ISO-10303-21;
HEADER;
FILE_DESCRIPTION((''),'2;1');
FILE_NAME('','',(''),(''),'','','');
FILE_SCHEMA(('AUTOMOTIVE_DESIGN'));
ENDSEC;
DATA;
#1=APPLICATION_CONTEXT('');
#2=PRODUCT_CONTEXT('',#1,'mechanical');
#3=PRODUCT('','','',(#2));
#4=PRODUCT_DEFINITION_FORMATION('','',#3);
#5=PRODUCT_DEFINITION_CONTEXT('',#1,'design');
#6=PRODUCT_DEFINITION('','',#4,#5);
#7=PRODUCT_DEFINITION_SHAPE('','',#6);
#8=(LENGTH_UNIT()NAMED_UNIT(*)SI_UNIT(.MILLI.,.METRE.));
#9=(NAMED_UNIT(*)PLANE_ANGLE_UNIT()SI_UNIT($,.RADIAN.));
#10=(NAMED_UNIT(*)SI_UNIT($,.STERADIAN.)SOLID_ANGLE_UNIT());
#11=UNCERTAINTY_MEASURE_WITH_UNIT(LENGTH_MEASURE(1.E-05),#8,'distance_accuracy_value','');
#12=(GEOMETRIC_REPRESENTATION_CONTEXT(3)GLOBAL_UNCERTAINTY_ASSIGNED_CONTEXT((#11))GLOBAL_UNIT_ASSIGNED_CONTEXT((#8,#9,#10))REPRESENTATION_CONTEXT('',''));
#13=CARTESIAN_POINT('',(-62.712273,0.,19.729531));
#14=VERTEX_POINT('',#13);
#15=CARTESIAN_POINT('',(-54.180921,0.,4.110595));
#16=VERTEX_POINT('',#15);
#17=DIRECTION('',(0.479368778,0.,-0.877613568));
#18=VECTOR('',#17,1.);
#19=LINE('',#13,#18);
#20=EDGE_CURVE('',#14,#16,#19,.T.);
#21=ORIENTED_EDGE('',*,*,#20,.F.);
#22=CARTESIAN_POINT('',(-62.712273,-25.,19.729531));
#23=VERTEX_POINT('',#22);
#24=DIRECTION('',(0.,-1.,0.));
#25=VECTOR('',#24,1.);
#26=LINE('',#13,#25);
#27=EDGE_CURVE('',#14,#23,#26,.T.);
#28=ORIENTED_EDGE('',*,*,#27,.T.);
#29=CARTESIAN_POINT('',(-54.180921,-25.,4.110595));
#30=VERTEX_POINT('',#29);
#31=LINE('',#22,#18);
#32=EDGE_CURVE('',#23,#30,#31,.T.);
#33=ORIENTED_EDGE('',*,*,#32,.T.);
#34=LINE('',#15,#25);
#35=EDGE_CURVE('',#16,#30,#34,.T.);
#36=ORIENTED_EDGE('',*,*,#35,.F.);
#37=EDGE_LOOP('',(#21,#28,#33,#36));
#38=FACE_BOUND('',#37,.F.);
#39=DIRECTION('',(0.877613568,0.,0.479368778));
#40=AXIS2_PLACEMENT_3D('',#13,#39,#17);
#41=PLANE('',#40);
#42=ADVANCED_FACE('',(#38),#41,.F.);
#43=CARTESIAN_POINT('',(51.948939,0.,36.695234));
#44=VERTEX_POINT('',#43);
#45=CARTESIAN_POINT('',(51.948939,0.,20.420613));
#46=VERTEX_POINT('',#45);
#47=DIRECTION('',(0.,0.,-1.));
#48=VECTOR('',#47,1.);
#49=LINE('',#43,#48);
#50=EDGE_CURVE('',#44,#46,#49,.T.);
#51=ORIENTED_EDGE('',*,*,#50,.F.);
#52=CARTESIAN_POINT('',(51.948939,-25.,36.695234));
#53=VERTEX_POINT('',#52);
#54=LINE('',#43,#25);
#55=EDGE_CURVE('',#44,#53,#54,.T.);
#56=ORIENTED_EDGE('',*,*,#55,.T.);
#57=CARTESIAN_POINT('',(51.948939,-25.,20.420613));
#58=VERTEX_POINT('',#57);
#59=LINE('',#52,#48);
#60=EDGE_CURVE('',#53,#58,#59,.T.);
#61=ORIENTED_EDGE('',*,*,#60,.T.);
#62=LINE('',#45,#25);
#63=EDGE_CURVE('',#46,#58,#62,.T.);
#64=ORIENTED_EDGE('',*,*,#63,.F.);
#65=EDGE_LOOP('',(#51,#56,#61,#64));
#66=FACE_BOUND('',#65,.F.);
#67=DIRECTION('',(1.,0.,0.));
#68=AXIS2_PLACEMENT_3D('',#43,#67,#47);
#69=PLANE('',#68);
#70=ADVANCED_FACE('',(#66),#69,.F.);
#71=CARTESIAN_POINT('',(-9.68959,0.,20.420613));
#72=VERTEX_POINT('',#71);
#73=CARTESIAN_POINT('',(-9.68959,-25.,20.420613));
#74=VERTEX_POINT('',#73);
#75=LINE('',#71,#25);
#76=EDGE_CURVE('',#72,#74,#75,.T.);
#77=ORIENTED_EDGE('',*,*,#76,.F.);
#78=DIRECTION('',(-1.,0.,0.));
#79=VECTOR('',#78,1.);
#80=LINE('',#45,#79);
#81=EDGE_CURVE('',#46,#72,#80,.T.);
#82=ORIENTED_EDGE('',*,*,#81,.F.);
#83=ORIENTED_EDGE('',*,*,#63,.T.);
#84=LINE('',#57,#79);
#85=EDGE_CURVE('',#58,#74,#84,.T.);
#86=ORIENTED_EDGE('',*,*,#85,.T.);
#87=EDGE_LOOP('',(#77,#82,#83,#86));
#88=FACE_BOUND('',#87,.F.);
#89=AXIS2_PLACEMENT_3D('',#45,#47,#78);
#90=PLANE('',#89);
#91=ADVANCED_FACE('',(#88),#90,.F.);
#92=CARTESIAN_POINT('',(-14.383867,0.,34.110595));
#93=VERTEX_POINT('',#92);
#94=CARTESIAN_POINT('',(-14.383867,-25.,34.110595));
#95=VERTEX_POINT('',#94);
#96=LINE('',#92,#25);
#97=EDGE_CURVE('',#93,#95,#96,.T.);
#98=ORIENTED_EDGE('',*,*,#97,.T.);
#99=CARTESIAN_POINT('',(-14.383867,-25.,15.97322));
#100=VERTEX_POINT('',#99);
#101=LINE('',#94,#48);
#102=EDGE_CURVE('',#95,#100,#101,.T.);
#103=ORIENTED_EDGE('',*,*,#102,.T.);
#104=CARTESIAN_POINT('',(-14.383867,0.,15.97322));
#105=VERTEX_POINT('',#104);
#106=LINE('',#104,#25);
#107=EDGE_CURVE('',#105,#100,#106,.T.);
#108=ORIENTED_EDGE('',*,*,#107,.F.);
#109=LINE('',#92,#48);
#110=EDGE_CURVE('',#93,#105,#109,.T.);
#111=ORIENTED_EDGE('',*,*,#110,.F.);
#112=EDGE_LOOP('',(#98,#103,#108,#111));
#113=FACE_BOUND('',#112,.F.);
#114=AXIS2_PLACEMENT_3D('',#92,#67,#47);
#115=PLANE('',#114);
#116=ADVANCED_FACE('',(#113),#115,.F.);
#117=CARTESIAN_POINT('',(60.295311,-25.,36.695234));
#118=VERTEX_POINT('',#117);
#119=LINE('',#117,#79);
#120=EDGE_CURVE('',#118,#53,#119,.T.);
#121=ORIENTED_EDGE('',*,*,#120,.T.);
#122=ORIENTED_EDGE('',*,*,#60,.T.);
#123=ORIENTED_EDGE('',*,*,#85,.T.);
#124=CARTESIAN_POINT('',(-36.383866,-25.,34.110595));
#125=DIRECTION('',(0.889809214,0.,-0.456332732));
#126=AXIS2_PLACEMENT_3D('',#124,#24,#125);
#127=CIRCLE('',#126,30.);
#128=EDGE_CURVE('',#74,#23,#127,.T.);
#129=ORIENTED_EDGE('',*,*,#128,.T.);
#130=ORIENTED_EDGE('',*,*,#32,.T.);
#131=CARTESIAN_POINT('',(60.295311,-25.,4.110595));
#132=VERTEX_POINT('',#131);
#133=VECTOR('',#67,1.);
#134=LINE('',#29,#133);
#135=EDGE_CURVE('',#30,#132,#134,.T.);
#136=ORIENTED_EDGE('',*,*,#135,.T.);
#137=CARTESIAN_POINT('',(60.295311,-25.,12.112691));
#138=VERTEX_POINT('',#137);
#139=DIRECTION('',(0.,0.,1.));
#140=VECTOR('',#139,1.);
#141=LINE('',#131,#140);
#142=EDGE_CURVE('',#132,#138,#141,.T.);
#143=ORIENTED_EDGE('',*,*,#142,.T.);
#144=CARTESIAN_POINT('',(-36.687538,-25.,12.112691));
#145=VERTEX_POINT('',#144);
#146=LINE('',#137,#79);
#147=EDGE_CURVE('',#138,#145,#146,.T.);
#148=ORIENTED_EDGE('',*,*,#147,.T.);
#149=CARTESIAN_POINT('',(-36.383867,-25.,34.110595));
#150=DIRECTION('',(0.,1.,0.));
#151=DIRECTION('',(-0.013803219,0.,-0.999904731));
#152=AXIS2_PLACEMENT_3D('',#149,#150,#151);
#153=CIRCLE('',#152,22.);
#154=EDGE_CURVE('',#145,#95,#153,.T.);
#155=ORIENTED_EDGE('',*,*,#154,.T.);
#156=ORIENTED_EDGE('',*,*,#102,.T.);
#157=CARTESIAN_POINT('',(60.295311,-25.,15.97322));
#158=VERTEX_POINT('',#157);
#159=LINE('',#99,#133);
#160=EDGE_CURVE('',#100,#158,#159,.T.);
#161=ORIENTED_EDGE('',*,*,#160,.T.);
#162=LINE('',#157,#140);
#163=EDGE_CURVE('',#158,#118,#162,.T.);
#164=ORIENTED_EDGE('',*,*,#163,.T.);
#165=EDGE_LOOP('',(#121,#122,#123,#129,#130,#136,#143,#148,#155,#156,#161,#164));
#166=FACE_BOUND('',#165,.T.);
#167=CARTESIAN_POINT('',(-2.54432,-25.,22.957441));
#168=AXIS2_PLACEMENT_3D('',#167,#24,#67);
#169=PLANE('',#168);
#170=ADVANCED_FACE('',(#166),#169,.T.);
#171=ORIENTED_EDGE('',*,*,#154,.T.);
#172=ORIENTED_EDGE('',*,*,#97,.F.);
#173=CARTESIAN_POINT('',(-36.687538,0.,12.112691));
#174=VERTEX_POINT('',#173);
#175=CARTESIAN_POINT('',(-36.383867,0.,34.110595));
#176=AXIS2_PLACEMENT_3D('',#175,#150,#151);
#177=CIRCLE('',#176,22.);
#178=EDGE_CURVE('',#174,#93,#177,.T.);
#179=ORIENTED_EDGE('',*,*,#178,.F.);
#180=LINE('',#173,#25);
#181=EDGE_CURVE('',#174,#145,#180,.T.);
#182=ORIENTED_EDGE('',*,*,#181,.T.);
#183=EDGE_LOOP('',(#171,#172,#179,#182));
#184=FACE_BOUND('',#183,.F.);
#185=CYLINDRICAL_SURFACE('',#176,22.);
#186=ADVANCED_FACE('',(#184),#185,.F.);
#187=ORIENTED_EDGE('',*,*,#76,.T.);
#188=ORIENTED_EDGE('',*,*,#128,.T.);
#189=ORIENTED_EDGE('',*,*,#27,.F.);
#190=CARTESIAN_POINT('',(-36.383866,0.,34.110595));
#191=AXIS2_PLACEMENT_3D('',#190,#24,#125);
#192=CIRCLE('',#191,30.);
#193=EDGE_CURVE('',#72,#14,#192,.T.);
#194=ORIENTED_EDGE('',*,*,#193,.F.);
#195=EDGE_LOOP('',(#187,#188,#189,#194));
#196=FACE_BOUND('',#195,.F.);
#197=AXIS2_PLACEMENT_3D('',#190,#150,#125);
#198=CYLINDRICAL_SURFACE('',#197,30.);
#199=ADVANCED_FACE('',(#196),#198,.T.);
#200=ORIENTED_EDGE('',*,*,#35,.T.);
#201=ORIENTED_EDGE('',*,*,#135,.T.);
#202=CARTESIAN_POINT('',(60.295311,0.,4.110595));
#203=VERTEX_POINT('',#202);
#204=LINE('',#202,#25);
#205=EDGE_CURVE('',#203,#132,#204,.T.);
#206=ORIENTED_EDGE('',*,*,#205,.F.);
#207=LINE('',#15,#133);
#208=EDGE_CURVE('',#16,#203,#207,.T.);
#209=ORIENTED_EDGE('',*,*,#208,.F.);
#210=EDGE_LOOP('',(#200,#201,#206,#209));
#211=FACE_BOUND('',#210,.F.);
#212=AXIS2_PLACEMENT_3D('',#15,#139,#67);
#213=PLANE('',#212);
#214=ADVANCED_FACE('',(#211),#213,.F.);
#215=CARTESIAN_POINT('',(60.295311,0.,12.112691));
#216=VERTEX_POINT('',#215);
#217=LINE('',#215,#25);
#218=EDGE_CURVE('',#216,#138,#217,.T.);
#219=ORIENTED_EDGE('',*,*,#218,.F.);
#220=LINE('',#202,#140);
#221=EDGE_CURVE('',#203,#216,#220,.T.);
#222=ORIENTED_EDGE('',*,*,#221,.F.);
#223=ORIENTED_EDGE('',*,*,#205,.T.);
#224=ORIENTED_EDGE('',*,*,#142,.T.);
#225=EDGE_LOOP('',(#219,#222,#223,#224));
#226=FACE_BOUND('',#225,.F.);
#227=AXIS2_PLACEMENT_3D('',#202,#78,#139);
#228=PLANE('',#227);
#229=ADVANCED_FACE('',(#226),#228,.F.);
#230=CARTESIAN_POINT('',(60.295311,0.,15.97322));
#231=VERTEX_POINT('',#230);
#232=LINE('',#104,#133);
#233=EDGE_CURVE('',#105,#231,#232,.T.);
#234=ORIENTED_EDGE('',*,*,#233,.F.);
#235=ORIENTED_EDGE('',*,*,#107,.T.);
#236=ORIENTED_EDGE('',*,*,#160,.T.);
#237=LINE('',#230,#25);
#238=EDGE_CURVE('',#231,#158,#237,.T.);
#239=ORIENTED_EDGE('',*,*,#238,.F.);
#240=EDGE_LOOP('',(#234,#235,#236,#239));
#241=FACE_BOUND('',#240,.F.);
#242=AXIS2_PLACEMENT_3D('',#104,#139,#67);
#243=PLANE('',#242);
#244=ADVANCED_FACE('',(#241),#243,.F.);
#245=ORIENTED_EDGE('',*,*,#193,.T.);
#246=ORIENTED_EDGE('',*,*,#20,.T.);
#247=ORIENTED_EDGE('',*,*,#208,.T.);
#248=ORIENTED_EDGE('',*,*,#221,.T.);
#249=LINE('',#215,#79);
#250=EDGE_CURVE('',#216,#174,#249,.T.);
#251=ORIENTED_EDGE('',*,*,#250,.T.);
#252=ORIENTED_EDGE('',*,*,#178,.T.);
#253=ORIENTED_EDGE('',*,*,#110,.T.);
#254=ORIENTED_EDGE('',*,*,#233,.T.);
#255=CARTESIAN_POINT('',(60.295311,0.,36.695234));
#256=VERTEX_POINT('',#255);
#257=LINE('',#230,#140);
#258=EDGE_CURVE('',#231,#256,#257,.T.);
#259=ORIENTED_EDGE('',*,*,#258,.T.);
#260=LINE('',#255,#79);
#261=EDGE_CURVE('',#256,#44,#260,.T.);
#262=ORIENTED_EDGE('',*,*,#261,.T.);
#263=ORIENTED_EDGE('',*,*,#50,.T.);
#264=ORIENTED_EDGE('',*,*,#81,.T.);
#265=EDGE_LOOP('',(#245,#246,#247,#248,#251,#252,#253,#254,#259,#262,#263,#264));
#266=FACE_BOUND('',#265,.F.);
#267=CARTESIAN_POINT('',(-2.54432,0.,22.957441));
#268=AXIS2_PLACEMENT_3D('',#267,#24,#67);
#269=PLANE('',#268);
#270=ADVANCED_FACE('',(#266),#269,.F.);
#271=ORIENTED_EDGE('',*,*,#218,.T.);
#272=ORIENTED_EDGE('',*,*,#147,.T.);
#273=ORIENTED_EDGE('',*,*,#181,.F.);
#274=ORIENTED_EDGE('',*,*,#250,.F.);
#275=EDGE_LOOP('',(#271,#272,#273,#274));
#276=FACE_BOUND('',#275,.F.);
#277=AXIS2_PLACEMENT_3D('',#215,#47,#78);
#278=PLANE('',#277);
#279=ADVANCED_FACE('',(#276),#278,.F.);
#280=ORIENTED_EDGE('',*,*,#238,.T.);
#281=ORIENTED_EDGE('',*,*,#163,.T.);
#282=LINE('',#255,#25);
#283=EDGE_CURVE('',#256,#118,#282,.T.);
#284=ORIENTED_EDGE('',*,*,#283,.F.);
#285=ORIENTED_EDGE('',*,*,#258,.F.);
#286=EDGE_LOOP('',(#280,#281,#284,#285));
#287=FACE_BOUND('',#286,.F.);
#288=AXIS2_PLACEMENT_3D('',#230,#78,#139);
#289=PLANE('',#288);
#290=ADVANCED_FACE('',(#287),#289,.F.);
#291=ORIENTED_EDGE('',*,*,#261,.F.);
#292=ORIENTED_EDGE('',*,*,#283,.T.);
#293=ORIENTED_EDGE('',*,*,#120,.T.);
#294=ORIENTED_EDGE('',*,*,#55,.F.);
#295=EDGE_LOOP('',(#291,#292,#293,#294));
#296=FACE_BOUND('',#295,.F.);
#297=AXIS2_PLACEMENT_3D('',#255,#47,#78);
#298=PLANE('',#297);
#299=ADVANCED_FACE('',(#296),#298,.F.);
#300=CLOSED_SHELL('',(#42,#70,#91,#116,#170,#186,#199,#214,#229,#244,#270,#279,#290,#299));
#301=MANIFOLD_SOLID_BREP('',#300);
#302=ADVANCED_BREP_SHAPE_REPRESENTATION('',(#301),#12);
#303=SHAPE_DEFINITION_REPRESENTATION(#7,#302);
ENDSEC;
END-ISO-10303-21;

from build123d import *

# Parameters (mm, degrees)
F1_DEPTH = 25


with BuildPart() as f1:
    # F0 (on Front) → F1 (new body)
    with BuildSketch(Plane.XZ):
        with BuildLine():
            Line((51.948939, 20.420613), (-9.68959, 20.420613))
            ThreePointArc((-9.68959, 20.420613), (-36.774845, 64.108047), (-62.712273, 19.729531))
            Line((-62.712273, 19.729531), (-54.180921, 4.110595))
            Line((-54.180921, 4.110595), (60.295311, 4.110595))
            Line((60.295311, 4.110595), (60.295311, 12.112691))
            Line((60.295311, 12.112691), (-36.080195, 12.112691))
            ThreePointArc((-36.080195, 12.112691), (-36.383867, 12.110595), (-36.687538, 12.112691))
            ThreePointArc((-36.687538, 12.112691), (-51.832479, 49.773941), (-14.383867, 34.110595))
            Line((-14.383867, 34.110595), (-14.383867, 15.97322))
            Line((-14.383867, 15.97322), (60.295311, 15.97322))
            Line((60.295311, 15.97322), (60.295311, 20.420613))
            Line((60.295311, 20.420613), (60.295311, 36.695234))
            Line((60.295311, 36.695234), (51.948939, 36.695234))
            Line((51.948939, 36.695234), (51.948939, 20.420613))
        make_face()
        with BuildLine():
            ThreePointArc((-36.687538, 12.112691), (-36.383867, 12.110595), (-36.080195, 12.112691))
            Line((-36.080195, 12.112691), (-36.687538, 12.112691))
        make_face()
    extrude(amount=F1_DEPTH)


solid = f1.part
